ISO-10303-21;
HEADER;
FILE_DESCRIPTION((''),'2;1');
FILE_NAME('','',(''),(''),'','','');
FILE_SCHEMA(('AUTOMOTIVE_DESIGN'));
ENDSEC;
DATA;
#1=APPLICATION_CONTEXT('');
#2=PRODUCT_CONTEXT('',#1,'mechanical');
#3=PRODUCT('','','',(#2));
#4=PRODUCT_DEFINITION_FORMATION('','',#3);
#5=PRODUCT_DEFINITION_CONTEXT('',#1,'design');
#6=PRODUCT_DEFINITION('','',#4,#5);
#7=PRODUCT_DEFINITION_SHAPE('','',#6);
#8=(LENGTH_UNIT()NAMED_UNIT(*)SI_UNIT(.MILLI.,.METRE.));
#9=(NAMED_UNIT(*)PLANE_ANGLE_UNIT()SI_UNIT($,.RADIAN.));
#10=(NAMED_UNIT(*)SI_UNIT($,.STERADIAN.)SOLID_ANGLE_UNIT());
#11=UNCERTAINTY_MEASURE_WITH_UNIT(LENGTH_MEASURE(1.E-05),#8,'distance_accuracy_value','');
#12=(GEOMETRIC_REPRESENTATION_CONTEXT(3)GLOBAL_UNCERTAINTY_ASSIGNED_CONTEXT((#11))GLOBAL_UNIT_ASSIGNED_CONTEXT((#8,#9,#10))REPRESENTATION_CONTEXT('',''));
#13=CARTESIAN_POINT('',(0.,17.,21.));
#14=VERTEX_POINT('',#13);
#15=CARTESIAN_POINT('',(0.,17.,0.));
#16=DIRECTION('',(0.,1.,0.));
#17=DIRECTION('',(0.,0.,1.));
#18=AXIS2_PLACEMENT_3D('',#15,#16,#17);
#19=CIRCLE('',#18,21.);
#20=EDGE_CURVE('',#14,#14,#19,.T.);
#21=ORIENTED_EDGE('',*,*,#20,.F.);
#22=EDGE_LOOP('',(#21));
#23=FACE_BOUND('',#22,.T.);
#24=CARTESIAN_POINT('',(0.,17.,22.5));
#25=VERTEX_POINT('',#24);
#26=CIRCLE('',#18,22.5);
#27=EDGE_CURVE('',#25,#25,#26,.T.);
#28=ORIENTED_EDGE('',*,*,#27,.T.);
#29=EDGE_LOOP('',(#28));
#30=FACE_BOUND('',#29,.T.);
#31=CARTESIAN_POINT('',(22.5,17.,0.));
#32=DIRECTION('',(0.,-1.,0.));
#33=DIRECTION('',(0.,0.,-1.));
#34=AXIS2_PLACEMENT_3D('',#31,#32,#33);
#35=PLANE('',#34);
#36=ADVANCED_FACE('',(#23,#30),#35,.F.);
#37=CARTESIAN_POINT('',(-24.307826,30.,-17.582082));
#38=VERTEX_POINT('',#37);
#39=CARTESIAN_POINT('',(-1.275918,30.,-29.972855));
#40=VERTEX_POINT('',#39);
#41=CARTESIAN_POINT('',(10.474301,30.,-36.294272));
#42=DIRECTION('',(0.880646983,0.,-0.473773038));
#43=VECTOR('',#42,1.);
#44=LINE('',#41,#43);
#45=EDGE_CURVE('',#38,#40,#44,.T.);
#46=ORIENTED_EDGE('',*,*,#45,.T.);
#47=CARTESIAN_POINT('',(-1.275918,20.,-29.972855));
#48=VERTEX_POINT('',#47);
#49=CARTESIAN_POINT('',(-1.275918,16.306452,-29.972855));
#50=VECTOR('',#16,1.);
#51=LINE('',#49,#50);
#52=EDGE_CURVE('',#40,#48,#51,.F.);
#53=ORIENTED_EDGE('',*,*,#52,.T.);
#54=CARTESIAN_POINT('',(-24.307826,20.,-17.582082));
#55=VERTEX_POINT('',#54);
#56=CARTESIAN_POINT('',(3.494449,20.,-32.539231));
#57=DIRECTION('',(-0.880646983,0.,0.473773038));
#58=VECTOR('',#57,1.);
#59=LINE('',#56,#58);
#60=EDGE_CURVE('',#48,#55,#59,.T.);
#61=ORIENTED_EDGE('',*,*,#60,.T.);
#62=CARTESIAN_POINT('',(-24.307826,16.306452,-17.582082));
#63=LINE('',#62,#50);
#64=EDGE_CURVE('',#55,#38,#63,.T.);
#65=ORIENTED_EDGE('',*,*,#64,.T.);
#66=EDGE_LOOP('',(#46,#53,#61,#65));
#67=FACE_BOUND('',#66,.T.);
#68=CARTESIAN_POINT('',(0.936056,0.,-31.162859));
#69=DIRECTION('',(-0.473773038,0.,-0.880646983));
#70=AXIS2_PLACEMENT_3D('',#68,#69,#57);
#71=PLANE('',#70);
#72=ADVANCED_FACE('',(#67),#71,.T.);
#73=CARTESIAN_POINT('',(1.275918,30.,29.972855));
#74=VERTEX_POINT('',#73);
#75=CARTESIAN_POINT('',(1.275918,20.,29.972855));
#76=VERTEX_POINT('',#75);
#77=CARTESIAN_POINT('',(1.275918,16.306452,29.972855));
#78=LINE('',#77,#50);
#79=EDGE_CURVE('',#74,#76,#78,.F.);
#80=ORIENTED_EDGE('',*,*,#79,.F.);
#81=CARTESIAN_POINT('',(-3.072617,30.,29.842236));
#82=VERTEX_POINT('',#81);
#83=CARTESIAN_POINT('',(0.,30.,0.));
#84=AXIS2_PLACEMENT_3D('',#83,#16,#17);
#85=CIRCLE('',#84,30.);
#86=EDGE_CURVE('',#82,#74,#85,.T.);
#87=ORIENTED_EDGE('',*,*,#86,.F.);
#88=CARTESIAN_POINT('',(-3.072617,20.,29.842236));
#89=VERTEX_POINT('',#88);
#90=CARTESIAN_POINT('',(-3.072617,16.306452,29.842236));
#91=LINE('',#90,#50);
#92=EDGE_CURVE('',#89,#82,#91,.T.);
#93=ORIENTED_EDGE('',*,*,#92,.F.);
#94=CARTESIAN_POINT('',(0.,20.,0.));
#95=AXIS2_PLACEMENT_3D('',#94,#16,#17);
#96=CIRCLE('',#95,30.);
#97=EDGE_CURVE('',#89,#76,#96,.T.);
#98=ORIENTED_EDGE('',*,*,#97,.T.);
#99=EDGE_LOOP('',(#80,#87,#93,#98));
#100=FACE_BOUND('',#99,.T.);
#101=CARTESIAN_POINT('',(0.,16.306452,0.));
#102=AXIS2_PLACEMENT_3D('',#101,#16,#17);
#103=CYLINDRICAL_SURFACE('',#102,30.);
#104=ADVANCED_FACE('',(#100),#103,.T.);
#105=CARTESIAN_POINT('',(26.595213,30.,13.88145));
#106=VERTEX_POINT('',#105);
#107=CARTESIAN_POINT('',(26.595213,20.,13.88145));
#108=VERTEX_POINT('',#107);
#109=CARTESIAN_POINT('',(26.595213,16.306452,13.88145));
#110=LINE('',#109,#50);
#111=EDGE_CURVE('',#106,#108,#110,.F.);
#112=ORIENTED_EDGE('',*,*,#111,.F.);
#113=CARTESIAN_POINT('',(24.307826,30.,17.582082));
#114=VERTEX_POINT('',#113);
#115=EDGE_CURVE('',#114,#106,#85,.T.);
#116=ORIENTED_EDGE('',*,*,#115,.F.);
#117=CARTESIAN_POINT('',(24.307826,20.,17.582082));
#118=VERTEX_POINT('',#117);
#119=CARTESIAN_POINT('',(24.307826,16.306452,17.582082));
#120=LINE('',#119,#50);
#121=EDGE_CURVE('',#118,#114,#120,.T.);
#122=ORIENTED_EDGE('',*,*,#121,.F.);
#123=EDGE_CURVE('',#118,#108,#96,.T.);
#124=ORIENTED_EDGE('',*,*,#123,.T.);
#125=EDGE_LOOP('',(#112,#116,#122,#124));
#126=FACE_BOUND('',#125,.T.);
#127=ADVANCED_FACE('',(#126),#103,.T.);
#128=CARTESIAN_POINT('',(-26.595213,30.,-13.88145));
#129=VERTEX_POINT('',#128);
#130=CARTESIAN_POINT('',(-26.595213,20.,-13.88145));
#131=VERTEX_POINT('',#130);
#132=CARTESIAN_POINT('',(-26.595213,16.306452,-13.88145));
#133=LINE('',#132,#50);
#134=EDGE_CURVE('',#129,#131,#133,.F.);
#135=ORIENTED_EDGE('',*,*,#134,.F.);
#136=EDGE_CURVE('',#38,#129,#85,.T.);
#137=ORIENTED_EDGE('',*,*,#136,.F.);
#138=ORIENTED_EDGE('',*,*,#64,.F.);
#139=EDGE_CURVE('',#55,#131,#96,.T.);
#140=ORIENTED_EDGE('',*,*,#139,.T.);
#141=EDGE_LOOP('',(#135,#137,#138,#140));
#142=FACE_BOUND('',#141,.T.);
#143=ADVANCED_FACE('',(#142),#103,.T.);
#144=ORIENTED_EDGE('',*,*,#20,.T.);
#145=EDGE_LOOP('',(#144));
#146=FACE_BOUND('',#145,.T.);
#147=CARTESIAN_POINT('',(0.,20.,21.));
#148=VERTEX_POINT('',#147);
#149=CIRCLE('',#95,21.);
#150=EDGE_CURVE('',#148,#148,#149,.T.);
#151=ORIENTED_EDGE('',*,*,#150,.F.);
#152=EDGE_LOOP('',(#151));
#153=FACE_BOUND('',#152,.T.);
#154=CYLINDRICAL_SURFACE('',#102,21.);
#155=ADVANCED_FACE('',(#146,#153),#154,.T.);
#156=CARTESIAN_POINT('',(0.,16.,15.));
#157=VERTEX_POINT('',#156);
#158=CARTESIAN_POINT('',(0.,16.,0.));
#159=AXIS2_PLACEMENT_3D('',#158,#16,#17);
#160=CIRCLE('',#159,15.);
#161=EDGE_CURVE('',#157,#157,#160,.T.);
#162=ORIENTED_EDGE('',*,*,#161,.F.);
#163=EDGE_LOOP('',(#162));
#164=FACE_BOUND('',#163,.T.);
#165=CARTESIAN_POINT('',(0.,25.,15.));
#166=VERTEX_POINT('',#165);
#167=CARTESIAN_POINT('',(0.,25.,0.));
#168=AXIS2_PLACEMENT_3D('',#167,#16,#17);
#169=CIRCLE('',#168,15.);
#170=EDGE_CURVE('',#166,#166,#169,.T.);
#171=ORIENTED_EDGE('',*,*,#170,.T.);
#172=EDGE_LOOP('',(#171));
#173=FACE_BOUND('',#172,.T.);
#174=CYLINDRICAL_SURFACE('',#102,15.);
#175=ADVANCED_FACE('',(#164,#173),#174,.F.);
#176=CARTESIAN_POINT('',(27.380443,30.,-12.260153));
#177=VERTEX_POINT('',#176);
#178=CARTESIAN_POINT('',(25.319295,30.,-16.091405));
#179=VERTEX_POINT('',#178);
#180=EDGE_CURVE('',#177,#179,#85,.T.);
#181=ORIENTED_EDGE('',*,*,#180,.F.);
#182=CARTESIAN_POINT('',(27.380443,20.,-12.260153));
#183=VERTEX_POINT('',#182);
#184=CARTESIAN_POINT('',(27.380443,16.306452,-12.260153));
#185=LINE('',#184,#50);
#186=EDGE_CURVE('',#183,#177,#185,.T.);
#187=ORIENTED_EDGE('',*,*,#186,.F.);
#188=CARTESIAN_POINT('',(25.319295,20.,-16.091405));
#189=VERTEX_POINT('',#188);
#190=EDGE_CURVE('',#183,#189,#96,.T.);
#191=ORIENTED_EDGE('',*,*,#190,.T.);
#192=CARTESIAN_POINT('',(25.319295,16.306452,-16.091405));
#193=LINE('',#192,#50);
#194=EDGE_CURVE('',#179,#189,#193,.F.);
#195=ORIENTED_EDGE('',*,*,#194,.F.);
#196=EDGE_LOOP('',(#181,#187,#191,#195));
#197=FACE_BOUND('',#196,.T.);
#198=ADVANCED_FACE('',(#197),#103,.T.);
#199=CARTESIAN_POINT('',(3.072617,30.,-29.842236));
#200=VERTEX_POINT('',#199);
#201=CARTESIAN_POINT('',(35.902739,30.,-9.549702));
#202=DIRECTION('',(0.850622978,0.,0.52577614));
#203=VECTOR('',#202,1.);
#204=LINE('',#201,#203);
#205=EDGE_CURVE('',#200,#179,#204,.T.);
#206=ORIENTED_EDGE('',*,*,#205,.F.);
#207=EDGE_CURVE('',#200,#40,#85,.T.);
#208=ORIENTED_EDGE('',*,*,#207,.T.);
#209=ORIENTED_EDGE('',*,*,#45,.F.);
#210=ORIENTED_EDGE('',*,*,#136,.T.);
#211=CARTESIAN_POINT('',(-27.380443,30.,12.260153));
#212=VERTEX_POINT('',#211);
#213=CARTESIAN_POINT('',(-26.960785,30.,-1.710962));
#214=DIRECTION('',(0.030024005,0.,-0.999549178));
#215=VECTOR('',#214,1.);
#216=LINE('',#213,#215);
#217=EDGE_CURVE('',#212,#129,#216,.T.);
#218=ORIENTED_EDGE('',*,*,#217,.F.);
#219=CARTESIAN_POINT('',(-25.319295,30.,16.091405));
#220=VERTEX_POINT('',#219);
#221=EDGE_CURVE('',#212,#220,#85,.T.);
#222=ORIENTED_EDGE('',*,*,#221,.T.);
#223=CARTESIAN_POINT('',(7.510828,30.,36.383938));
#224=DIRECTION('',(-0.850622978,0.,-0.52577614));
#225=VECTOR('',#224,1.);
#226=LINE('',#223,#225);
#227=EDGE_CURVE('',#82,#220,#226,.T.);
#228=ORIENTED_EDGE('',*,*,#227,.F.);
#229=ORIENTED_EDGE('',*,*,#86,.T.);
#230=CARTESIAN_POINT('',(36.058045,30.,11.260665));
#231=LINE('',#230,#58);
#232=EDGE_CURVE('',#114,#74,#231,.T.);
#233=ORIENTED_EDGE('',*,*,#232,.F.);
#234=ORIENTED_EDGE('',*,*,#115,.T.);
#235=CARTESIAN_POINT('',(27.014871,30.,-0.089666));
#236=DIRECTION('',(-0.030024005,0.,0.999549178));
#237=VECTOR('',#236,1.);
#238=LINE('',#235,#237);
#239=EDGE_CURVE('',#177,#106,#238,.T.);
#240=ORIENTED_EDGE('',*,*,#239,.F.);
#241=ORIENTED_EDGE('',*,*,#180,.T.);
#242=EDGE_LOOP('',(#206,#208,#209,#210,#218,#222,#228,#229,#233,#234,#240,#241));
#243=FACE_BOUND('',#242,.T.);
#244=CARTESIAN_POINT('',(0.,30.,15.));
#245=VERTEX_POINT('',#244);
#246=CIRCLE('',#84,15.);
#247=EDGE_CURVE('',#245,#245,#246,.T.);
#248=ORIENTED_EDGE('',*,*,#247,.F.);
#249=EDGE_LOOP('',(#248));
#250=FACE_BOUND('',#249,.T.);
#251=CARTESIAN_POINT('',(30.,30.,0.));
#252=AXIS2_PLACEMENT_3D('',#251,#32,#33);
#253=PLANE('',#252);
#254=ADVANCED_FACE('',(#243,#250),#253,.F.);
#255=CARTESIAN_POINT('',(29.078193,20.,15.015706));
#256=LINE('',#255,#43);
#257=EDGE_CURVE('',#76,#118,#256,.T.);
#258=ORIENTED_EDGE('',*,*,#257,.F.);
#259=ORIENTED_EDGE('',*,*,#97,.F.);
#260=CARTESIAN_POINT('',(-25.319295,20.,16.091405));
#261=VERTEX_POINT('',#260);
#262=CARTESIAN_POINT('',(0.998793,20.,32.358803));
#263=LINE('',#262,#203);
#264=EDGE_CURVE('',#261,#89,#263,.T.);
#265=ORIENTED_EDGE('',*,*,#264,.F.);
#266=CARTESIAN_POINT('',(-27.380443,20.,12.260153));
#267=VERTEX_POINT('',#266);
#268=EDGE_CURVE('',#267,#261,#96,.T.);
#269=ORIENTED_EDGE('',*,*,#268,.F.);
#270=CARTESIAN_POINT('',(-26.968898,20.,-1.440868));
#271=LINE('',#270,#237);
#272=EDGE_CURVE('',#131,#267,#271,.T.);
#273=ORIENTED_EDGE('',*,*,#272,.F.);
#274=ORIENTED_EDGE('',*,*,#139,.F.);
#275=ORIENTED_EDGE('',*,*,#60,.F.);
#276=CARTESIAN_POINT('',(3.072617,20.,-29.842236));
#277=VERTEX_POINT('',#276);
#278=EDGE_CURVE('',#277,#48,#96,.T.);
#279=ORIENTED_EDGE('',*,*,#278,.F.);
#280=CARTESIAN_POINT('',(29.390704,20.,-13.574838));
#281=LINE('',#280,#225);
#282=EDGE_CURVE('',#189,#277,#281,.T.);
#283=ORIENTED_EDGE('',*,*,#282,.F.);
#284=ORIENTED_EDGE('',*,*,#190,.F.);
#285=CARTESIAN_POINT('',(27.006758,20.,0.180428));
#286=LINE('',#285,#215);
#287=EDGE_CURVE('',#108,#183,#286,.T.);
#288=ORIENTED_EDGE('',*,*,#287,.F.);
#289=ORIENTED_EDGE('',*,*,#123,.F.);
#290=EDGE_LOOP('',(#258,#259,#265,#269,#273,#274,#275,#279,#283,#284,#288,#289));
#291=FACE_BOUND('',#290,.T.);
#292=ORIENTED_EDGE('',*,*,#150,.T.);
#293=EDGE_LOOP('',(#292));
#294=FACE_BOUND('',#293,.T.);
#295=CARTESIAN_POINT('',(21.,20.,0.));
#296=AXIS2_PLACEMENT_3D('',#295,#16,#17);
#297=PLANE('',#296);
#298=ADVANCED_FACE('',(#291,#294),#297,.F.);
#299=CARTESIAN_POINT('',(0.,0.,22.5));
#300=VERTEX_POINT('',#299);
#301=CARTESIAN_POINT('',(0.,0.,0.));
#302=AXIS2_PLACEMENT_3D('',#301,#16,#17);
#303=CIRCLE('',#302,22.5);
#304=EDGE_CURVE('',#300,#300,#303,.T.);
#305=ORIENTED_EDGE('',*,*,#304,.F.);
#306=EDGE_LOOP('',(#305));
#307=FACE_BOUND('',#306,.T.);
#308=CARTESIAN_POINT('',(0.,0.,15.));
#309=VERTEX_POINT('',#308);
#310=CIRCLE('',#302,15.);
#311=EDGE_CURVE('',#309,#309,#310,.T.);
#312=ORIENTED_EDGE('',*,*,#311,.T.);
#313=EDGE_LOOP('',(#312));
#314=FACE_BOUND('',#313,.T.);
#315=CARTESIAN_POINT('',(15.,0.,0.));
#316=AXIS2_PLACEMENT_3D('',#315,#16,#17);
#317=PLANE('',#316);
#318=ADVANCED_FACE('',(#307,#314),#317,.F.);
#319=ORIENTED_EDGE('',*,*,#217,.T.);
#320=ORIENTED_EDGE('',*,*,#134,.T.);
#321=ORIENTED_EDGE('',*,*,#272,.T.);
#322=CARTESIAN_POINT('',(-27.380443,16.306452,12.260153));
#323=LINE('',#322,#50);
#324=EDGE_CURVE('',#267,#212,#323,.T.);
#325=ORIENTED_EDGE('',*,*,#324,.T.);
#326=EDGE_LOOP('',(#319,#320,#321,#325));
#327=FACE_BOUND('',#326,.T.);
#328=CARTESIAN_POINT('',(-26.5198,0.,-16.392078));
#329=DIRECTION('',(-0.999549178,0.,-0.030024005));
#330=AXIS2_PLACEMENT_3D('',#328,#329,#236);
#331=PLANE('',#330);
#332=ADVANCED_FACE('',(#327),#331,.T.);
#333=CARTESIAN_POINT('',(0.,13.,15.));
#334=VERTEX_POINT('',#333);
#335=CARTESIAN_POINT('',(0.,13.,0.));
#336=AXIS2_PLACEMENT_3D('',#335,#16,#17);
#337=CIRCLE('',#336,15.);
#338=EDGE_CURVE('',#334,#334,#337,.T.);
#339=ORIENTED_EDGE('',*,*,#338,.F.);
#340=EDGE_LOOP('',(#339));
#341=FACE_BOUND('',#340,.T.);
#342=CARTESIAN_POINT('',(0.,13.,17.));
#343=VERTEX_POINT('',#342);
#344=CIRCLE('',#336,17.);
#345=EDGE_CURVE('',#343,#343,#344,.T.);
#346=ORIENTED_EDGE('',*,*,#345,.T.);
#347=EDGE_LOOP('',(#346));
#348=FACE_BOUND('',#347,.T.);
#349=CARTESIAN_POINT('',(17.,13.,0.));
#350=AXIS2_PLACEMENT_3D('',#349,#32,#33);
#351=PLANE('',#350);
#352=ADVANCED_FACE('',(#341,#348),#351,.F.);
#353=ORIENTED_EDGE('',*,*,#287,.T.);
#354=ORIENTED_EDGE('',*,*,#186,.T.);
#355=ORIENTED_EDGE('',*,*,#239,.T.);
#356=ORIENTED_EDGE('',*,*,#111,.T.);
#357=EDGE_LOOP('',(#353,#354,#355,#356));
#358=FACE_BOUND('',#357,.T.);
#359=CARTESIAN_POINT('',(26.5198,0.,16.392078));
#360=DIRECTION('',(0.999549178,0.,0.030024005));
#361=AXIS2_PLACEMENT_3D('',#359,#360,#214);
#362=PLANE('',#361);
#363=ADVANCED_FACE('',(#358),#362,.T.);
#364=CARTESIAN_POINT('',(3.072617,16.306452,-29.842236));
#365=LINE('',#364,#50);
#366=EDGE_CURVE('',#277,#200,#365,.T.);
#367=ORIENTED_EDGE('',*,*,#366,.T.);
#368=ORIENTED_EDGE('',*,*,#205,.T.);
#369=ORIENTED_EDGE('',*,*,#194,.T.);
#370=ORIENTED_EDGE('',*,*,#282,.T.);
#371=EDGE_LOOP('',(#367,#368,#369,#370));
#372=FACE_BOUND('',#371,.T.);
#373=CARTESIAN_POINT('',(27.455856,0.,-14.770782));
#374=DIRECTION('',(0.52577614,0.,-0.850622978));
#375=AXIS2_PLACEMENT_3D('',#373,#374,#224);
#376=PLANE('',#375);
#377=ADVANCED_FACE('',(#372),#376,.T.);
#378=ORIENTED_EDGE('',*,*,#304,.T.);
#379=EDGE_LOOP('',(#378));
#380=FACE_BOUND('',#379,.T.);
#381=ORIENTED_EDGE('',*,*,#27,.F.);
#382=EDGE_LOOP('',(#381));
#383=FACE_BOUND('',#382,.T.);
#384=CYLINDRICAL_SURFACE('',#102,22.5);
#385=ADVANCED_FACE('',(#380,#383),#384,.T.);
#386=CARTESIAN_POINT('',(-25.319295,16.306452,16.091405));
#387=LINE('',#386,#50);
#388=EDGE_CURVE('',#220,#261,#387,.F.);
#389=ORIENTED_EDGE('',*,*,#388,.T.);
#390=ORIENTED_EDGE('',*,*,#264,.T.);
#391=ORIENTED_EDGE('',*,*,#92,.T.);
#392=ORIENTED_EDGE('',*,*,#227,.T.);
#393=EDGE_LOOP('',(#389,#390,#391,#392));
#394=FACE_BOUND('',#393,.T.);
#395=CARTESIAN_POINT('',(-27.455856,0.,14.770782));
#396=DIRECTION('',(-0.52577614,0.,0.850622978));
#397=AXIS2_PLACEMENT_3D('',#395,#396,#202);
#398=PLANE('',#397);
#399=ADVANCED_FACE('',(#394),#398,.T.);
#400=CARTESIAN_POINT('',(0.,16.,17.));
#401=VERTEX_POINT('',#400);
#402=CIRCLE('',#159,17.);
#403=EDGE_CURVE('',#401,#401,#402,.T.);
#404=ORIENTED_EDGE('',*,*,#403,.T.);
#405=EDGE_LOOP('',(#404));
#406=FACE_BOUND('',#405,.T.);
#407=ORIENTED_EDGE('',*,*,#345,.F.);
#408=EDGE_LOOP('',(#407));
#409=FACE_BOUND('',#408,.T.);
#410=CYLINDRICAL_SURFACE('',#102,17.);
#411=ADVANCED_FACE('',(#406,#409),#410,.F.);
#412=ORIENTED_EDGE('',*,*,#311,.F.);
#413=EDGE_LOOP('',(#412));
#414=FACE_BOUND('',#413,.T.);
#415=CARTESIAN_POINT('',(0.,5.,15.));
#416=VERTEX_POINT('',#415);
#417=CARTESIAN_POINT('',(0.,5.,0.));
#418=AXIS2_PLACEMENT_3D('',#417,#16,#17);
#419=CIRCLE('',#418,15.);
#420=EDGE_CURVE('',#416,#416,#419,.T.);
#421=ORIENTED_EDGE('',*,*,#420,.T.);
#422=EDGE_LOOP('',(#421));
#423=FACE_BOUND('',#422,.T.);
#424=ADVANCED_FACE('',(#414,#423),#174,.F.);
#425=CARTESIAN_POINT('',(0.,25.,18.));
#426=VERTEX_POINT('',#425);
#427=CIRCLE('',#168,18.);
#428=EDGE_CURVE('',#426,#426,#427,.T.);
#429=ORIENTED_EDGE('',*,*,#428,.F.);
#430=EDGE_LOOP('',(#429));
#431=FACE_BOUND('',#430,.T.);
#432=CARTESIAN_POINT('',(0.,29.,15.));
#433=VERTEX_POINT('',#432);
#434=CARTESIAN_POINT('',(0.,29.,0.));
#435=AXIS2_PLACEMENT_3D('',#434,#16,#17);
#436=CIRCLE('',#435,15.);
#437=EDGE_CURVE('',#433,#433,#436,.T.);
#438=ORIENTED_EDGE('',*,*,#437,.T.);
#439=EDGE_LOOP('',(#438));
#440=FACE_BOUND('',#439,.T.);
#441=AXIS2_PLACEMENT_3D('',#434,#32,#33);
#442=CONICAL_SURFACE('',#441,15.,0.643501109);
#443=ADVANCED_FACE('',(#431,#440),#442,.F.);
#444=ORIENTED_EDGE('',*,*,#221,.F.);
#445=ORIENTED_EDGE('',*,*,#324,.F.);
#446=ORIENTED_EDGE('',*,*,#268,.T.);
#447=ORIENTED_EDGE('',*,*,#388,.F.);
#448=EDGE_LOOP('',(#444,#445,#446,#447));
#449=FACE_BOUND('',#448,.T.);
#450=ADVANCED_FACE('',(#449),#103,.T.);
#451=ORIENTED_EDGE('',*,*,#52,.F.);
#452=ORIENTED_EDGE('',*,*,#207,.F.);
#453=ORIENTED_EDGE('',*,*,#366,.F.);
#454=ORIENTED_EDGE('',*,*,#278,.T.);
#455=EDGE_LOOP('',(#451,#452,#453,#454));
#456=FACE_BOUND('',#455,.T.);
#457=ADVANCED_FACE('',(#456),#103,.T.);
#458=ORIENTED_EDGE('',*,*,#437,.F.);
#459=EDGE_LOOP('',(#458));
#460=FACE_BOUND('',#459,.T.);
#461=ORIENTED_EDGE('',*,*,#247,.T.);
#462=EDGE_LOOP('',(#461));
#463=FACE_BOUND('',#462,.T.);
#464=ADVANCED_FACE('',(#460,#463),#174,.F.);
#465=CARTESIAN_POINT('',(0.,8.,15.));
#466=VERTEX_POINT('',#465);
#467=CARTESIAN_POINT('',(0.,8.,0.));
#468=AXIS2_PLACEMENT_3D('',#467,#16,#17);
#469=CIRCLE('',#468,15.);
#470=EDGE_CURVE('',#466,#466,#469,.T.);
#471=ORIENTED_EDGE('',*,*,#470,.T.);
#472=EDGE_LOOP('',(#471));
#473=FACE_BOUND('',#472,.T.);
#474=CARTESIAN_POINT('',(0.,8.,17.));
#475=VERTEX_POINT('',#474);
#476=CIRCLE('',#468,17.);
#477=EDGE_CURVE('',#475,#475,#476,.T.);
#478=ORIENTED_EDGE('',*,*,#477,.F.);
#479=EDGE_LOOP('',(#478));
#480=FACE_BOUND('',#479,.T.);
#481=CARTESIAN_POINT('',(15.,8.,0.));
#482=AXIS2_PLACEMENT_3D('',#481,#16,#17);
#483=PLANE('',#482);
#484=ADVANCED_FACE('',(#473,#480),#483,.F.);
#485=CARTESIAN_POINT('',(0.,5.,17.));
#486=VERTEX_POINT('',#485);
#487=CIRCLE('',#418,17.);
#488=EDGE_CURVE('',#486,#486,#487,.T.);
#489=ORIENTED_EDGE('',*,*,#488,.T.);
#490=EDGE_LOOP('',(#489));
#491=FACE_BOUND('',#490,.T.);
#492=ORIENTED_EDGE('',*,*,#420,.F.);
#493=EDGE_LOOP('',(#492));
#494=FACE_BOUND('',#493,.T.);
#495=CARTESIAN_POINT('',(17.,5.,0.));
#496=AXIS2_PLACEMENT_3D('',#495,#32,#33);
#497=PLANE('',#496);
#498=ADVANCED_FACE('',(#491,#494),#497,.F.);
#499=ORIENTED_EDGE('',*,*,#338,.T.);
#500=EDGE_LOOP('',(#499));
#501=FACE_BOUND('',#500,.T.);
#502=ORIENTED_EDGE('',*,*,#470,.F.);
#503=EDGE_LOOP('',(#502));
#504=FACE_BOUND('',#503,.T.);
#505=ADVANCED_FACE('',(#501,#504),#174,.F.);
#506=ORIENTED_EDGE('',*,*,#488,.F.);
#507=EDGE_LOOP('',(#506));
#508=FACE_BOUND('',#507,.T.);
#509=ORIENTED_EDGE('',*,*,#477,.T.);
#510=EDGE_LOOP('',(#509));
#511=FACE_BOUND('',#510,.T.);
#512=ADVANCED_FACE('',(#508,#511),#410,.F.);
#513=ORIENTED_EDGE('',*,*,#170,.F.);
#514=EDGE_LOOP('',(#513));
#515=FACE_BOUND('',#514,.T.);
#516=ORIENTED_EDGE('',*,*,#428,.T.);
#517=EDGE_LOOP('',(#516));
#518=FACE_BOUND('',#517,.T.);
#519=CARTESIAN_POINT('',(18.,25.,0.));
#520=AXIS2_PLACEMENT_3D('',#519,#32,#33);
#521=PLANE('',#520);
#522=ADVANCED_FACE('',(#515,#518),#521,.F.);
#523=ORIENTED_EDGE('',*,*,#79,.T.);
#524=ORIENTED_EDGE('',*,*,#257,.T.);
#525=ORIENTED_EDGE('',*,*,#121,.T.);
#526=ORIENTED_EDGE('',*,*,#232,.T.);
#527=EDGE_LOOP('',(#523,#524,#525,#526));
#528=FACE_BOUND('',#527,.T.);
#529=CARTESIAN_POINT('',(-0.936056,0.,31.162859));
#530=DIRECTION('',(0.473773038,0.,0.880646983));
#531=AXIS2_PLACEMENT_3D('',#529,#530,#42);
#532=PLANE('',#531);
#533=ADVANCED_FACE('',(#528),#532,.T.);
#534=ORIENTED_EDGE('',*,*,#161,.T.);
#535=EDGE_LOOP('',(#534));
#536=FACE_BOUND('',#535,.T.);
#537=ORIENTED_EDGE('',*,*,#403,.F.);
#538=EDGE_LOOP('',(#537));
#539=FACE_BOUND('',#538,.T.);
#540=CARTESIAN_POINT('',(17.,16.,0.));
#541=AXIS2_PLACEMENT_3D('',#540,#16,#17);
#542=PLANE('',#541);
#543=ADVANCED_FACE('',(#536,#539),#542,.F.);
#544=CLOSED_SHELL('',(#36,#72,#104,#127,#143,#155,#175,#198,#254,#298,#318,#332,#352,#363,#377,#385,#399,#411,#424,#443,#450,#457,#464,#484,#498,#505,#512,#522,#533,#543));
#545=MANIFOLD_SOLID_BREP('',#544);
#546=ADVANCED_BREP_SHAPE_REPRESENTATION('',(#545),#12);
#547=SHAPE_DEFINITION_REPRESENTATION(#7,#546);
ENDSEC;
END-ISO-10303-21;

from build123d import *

# Parameters (mm, degrees)
SKETCH3_OUTSIDE_W  = 80
SKETCH3_OUTSIDE_H  = 80
CUT_EXTRUDE1_DEPTH = 31


with BuildPart() as part:
    # Sketch2 → Revolve1 (revolve)
    with BuildSketch(Plane.XY):
        Polygon((22.5, 0), (22.5, 17), (21, 17), (21, 20), (30, 20), (30, 30), (15, 30), (15, 29), (18, 25), (15, 25), (15, 16), (17, 16), (17, 13), (15, 13), (15, 8), (17, 8), (17, 5), (15, 5), (15, 0), align=None)
    revolve(axis=Axis((0, 16.306451613, 0), (0, -1, 0)))

    # Sketch3 outside → Cut-Extrude1 (cut, through all)
    with BuildSketch(Plane(origin=(0, 30, 0), x_dir=(1, 0, 0), z_dir=(0, 1, 0))):
        Rectangle(SKETCH3_OUTSIDE_W, SKETCH3_OUTSIDE_H)
        Polygon((0.936055849, 31.162859295), (-26.51979988, 16.392077792), (-27.455855728, -14.770781503), (-0.936055849, -31.162859295), (26.51979988, -16.392077792), (27.455855728, 14.770781503), align=None, mode=Mode.SUBTRACT)
    extrude(amount=-CUT_EXTRUDE1_DEPTH, mode=Mode.SUBTRACT)


solid = part.part
